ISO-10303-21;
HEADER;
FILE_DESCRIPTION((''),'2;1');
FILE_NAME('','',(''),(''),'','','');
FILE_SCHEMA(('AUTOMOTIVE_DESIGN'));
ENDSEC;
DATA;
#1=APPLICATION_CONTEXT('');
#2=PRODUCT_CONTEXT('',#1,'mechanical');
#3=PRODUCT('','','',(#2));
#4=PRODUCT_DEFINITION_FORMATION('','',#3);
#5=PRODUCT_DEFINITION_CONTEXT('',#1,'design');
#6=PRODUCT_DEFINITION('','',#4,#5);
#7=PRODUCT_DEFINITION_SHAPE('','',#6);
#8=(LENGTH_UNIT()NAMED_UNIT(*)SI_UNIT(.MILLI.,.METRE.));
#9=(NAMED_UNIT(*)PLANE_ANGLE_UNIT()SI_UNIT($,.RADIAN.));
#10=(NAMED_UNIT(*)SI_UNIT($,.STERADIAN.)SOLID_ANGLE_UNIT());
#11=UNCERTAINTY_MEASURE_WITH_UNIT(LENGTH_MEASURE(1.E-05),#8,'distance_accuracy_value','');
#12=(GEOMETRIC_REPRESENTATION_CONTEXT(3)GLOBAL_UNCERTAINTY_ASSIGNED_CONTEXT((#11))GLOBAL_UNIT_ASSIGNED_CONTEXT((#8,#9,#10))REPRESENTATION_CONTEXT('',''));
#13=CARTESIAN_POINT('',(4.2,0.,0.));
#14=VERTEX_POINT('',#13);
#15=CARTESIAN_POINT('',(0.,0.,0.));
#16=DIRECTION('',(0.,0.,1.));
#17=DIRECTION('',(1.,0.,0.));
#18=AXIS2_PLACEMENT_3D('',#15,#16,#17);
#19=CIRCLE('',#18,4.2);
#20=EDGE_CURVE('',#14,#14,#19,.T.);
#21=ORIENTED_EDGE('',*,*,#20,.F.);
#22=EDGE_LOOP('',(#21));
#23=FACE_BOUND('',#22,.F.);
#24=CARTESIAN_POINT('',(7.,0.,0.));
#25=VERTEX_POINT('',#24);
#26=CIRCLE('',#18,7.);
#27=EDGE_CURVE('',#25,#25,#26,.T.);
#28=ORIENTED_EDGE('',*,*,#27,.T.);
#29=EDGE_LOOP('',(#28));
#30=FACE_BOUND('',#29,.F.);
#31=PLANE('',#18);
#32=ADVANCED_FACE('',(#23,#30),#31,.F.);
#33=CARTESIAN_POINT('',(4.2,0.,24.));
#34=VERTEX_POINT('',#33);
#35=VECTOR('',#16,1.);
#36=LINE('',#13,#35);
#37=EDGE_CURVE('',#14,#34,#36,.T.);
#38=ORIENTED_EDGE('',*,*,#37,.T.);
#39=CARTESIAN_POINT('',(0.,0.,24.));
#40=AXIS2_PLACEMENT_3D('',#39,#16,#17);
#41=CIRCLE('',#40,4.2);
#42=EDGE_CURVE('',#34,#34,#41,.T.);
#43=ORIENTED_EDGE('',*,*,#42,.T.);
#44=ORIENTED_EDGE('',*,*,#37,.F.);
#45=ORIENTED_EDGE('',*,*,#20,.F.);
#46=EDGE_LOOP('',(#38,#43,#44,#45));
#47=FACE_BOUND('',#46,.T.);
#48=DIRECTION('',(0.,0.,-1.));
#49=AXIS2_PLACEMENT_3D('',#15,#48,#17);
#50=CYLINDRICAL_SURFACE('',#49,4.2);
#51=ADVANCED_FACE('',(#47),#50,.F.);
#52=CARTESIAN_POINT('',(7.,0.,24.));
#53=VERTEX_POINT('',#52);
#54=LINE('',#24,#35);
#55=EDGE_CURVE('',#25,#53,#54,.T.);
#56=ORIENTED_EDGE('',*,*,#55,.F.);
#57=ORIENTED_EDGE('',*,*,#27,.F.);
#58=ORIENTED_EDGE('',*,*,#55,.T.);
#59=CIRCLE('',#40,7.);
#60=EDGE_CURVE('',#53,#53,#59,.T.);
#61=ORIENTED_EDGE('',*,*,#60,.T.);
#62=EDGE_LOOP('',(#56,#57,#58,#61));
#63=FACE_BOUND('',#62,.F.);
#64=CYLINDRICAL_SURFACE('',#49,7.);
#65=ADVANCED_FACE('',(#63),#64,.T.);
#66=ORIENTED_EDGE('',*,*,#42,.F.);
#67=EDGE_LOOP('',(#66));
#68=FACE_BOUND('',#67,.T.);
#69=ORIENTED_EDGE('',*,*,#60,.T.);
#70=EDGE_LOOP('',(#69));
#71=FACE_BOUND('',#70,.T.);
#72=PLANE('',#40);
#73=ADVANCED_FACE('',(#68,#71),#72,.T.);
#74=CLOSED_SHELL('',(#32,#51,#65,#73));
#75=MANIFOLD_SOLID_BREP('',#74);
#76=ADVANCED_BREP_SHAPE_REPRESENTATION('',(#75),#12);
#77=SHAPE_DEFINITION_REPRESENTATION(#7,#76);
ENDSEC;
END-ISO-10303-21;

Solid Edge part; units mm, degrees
sketch "Sketch1" plane through (0, 0, 0) normal (0, 0, 1) x (1, 0, 0)
  circle A0 centre (0, 0) radius 7
  circle A1 centre (0, 0) radius 4.2
  dimension "D1" = 8.4
  dimension "D2" = 14
extrude "Protrusion1" add sketch "Sketch1" along normal blind 24
properties material "ABS Plastic, medium impact"
